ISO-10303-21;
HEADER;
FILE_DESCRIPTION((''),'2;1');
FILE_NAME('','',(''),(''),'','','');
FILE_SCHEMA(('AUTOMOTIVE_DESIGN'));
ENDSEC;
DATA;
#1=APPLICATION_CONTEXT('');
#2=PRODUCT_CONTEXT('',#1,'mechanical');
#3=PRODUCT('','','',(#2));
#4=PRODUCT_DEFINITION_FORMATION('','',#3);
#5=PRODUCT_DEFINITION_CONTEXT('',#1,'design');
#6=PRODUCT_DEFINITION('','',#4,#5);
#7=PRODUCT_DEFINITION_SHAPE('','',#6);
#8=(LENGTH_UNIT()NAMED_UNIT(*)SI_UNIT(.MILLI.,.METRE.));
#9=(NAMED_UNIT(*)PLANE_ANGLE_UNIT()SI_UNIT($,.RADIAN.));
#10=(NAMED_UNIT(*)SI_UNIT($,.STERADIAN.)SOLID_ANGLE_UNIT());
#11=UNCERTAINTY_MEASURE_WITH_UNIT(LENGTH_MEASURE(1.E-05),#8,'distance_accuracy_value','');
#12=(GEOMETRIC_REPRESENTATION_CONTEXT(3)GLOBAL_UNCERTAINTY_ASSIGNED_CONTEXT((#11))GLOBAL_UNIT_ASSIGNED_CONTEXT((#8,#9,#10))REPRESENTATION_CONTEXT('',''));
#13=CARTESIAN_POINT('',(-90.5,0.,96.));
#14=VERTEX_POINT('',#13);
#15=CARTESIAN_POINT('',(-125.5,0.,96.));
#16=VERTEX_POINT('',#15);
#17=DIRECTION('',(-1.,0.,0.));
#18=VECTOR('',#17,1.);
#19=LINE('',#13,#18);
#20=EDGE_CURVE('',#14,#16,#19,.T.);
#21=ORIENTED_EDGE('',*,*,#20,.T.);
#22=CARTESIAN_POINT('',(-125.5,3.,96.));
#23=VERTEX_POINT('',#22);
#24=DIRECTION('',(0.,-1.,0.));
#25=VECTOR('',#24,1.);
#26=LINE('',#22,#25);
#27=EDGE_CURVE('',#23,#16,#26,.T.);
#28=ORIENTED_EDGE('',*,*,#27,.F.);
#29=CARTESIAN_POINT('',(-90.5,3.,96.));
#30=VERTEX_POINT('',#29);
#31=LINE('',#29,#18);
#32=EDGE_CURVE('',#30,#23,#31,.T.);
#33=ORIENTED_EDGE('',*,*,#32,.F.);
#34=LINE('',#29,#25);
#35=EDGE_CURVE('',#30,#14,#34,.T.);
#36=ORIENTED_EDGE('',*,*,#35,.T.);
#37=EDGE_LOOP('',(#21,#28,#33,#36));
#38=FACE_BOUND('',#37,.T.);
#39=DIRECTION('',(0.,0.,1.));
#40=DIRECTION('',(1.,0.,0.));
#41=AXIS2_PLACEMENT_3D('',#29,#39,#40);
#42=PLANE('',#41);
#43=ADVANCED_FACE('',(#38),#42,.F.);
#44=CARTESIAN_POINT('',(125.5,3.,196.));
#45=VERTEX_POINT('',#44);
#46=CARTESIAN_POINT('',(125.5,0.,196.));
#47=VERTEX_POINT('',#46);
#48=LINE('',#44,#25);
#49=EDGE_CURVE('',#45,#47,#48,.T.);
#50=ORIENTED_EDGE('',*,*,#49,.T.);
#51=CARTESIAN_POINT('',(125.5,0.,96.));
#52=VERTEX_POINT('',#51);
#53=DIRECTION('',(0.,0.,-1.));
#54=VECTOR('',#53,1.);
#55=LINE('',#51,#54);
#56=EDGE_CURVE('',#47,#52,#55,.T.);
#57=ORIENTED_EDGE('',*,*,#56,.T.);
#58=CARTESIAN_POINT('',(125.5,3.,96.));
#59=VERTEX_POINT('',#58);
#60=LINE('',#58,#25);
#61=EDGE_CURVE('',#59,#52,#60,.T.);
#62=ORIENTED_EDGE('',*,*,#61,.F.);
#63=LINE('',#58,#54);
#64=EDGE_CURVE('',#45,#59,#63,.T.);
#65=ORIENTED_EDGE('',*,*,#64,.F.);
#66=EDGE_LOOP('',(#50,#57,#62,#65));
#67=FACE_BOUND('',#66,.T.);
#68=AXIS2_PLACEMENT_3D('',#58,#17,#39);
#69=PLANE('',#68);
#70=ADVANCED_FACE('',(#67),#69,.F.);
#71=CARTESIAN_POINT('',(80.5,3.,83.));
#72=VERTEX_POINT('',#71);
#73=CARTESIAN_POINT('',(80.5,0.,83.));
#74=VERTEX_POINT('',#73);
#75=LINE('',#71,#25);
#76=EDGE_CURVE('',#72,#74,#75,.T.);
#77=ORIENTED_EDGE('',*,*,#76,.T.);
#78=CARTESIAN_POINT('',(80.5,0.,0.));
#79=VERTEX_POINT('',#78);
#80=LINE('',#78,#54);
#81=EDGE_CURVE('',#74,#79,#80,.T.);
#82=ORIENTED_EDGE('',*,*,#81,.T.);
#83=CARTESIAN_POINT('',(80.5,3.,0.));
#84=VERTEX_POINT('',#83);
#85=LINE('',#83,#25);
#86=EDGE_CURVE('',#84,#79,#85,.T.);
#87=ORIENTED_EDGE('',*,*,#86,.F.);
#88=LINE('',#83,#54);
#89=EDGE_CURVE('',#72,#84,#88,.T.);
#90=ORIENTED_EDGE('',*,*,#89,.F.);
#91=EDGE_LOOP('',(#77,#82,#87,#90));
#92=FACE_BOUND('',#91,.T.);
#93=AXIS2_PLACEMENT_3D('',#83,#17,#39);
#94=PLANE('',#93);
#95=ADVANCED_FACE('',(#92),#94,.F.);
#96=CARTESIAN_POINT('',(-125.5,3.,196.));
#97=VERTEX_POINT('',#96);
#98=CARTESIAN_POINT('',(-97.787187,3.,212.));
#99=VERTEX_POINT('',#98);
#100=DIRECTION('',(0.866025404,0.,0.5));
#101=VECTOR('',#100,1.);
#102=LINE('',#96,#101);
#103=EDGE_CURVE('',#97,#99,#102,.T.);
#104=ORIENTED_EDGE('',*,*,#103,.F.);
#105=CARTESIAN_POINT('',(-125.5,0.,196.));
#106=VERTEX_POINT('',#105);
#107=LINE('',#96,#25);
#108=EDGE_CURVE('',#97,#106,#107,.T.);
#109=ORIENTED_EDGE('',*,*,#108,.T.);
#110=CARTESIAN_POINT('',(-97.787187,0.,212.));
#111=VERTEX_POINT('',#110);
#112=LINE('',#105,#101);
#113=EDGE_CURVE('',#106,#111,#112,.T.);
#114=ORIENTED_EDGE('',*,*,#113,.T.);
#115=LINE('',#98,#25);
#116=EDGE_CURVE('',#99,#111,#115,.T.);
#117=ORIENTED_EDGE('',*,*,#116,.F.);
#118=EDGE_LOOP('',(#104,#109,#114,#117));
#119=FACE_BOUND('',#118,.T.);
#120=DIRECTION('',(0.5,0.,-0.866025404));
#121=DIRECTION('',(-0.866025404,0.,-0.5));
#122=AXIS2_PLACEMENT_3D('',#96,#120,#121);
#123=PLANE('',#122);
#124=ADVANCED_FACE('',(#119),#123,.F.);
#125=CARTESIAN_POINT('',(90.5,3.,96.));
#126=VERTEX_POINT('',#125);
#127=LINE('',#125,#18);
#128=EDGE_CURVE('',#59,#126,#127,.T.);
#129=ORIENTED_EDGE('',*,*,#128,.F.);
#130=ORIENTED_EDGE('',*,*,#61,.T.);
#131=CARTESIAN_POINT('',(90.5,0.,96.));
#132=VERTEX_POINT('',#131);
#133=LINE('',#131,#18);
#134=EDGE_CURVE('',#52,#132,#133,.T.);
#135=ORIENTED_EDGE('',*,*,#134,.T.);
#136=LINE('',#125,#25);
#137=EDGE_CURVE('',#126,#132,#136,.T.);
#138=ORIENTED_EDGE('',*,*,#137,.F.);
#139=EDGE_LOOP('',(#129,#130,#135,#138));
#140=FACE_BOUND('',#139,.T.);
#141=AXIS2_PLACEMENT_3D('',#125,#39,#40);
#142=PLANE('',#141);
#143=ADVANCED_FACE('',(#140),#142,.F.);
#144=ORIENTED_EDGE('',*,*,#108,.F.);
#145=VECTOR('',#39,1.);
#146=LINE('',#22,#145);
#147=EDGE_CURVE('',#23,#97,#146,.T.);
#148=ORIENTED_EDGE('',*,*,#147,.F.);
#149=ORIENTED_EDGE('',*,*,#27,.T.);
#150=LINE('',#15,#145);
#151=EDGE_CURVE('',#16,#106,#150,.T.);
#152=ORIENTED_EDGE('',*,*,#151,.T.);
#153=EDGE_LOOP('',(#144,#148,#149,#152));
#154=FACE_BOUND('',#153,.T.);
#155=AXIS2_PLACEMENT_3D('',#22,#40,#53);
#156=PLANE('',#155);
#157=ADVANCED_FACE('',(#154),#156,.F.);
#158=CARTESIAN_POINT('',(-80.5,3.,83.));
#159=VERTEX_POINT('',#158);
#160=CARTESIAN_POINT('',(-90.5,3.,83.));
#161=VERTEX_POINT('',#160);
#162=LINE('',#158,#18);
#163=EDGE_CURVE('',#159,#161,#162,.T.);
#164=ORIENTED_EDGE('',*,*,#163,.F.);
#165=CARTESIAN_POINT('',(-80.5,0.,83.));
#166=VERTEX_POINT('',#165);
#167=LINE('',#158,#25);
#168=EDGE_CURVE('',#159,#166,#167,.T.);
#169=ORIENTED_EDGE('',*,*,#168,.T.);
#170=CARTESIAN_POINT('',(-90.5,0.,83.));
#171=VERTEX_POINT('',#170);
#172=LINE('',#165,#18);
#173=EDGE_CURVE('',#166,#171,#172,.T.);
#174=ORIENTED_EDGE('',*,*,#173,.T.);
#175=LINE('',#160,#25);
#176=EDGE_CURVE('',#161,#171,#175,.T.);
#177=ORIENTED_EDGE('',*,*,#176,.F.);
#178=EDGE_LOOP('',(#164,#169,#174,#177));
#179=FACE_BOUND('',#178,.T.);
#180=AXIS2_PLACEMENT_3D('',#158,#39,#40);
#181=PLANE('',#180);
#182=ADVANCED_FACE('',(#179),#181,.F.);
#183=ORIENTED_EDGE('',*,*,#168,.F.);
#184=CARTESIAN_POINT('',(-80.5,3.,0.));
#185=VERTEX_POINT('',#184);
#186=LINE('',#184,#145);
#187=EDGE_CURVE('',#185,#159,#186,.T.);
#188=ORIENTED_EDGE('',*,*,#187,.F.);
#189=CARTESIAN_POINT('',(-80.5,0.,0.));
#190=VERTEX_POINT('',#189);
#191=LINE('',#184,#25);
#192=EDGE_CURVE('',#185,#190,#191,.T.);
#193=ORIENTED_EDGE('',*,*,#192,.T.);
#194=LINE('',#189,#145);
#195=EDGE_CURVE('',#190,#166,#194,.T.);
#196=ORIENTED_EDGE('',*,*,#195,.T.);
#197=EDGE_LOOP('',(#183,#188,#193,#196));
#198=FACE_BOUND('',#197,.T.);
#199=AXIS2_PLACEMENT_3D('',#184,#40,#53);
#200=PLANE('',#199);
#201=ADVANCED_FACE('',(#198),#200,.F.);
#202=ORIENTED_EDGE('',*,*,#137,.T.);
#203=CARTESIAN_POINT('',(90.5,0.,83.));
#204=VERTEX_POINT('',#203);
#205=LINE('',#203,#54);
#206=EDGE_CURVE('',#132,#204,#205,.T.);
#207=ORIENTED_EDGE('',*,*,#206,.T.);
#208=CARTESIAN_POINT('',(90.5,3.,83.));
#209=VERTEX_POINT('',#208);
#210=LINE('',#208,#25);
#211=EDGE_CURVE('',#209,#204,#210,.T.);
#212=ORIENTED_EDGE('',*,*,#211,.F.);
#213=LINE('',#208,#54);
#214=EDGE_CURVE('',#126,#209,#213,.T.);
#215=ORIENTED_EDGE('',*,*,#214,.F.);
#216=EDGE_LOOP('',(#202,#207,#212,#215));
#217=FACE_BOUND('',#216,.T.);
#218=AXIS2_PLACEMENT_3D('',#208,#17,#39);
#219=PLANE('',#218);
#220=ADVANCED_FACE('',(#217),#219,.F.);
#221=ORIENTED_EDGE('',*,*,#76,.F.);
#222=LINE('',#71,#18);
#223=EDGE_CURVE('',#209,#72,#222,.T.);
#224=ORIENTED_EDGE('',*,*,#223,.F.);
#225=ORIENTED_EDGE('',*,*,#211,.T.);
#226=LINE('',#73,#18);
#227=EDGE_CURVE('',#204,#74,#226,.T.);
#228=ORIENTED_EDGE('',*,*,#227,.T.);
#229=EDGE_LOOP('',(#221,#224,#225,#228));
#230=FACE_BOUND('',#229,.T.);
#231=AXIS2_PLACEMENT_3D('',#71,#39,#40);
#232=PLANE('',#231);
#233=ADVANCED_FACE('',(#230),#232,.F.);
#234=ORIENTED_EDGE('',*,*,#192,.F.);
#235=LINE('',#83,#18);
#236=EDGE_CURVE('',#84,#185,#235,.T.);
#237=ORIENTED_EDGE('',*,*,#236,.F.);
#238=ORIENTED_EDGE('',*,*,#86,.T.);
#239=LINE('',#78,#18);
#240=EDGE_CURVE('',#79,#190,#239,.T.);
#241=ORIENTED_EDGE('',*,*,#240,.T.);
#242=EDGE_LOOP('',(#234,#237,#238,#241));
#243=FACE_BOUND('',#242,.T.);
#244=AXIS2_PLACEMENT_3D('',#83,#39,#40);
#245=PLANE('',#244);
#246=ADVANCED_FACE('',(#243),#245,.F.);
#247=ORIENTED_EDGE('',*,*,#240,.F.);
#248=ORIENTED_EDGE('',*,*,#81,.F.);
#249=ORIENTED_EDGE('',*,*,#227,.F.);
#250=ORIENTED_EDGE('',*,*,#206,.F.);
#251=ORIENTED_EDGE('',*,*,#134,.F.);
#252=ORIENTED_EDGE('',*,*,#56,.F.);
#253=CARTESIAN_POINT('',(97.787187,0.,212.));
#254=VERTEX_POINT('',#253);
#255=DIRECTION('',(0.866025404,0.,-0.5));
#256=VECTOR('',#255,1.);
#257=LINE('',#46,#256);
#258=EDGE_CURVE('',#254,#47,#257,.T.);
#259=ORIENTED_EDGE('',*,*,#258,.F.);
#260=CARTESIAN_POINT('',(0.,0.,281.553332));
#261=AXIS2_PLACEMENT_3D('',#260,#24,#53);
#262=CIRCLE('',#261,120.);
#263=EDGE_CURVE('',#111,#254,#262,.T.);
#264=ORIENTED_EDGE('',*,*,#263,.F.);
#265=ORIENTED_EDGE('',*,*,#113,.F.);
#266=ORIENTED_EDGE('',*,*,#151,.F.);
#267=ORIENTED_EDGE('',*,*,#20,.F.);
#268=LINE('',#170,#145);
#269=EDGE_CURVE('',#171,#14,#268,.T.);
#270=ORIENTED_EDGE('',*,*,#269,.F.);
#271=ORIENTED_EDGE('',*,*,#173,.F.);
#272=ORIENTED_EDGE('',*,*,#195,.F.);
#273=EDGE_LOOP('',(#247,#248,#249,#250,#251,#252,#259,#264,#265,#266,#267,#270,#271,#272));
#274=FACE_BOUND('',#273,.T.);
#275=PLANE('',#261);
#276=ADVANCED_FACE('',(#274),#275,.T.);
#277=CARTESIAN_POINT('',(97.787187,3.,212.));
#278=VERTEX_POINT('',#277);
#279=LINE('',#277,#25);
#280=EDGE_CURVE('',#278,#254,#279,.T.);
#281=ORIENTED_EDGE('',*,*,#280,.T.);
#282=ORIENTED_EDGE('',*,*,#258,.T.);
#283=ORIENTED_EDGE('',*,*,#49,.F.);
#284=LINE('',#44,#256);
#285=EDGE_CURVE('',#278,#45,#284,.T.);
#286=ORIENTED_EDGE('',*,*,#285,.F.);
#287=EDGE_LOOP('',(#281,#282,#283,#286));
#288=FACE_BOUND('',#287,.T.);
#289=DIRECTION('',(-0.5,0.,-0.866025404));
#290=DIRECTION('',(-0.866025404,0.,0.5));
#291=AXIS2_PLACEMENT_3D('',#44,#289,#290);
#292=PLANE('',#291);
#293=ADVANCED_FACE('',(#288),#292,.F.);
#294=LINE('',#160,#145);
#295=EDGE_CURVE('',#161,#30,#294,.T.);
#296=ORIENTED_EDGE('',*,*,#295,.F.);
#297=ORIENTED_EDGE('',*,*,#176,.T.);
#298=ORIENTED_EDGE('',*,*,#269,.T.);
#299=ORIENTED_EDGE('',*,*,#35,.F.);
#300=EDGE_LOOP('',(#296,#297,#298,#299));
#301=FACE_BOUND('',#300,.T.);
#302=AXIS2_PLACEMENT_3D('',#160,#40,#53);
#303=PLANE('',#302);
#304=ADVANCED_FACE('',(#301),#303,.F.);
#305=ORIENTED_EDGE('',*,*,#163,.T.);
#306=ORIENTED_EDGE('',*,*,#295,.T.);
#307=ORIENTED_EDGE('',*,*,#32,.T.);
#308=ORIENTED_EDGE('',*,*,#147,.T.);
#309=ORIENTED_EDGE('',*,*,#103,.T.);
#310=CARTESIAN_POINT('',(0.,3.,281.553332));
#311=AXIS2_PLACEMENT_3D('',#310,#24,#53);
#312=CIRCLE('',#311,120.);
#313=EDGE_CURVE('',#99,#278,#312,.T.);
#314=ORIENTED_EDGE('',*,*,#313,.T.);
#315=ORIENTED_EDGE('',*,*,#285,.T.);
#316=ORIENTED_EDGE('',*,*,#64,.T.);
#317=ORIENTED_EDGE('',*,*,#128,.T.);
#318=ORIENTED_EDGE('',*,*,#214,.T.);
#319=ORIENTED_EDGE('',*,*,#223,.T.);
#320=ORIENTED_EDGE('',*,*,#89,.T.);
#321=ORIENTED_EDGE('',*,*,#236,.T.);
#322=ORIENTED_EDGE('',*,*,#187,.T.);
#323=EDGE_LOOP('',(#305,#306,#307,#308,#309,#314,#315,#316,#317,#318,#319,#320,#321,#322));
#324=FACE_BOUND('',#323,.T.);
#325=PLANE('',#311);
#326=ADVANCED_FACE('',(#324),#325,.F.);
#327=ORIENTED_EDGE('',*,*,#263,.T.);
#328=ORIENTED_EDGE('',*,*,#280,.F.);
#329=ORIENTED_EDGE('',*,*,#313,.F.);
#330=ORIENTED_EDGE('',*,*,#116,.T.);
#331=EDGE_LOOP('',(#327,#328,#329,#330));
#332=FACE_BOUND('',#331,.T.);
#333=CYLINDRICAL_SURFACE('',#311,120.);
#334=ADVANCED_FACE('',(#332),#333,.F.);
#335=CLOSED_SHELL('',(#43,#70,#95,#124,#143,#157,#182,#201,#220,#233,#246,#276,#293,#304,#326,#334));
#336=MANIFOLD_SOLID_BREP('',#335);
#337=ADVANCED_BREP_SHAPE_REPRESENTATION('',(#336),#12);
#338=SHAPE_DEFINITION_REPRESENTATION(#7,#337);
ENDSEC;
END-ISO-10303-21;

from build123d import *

# Parameters (mm, degrees)
EXTRUSION1_DEPTH = 3


with BuildPart() as part:
    # Esquisse1 → Extrusion1 (new body)
    with BuildSketch(Plane(origin=(0, 0, 0), x_dir=(1, 0, 0), z_dir=(0, 1, 0))):
        with BuildLine():
            Line((80.5, 0), (-80.5, 0))
            Line((-80.5, 0), (-80.5, -83))
            Line((-80.5, -83), (-90.5, -83))
            Line((-90.5, -83), (-90.5, -96))
            Line((-90.5, -96), (-125.5, -96))
            Line((-125.5, -96), (-125.5, -196))
            Line((-125.5, -196), (-97.787187079, -212))
            ThreePointArc((-97.787187079, -212), (0, -161.553332366), (97.787187079, -212))
            Line((97.787187079, -212), (125.5, -196))
            Line((125.5, -196), (125.5, -96))
            Line((125.5, -96), (90.5, -96))
            Line((90.5, -96), (90.5, -83))
            Line((90.5, -83), (80.5, -83))
            Line((80.5, -83), (80.5, 0))
        make_face()
    extrude(amount=EXTRUSION1_DEPTH)


solid = part.part
